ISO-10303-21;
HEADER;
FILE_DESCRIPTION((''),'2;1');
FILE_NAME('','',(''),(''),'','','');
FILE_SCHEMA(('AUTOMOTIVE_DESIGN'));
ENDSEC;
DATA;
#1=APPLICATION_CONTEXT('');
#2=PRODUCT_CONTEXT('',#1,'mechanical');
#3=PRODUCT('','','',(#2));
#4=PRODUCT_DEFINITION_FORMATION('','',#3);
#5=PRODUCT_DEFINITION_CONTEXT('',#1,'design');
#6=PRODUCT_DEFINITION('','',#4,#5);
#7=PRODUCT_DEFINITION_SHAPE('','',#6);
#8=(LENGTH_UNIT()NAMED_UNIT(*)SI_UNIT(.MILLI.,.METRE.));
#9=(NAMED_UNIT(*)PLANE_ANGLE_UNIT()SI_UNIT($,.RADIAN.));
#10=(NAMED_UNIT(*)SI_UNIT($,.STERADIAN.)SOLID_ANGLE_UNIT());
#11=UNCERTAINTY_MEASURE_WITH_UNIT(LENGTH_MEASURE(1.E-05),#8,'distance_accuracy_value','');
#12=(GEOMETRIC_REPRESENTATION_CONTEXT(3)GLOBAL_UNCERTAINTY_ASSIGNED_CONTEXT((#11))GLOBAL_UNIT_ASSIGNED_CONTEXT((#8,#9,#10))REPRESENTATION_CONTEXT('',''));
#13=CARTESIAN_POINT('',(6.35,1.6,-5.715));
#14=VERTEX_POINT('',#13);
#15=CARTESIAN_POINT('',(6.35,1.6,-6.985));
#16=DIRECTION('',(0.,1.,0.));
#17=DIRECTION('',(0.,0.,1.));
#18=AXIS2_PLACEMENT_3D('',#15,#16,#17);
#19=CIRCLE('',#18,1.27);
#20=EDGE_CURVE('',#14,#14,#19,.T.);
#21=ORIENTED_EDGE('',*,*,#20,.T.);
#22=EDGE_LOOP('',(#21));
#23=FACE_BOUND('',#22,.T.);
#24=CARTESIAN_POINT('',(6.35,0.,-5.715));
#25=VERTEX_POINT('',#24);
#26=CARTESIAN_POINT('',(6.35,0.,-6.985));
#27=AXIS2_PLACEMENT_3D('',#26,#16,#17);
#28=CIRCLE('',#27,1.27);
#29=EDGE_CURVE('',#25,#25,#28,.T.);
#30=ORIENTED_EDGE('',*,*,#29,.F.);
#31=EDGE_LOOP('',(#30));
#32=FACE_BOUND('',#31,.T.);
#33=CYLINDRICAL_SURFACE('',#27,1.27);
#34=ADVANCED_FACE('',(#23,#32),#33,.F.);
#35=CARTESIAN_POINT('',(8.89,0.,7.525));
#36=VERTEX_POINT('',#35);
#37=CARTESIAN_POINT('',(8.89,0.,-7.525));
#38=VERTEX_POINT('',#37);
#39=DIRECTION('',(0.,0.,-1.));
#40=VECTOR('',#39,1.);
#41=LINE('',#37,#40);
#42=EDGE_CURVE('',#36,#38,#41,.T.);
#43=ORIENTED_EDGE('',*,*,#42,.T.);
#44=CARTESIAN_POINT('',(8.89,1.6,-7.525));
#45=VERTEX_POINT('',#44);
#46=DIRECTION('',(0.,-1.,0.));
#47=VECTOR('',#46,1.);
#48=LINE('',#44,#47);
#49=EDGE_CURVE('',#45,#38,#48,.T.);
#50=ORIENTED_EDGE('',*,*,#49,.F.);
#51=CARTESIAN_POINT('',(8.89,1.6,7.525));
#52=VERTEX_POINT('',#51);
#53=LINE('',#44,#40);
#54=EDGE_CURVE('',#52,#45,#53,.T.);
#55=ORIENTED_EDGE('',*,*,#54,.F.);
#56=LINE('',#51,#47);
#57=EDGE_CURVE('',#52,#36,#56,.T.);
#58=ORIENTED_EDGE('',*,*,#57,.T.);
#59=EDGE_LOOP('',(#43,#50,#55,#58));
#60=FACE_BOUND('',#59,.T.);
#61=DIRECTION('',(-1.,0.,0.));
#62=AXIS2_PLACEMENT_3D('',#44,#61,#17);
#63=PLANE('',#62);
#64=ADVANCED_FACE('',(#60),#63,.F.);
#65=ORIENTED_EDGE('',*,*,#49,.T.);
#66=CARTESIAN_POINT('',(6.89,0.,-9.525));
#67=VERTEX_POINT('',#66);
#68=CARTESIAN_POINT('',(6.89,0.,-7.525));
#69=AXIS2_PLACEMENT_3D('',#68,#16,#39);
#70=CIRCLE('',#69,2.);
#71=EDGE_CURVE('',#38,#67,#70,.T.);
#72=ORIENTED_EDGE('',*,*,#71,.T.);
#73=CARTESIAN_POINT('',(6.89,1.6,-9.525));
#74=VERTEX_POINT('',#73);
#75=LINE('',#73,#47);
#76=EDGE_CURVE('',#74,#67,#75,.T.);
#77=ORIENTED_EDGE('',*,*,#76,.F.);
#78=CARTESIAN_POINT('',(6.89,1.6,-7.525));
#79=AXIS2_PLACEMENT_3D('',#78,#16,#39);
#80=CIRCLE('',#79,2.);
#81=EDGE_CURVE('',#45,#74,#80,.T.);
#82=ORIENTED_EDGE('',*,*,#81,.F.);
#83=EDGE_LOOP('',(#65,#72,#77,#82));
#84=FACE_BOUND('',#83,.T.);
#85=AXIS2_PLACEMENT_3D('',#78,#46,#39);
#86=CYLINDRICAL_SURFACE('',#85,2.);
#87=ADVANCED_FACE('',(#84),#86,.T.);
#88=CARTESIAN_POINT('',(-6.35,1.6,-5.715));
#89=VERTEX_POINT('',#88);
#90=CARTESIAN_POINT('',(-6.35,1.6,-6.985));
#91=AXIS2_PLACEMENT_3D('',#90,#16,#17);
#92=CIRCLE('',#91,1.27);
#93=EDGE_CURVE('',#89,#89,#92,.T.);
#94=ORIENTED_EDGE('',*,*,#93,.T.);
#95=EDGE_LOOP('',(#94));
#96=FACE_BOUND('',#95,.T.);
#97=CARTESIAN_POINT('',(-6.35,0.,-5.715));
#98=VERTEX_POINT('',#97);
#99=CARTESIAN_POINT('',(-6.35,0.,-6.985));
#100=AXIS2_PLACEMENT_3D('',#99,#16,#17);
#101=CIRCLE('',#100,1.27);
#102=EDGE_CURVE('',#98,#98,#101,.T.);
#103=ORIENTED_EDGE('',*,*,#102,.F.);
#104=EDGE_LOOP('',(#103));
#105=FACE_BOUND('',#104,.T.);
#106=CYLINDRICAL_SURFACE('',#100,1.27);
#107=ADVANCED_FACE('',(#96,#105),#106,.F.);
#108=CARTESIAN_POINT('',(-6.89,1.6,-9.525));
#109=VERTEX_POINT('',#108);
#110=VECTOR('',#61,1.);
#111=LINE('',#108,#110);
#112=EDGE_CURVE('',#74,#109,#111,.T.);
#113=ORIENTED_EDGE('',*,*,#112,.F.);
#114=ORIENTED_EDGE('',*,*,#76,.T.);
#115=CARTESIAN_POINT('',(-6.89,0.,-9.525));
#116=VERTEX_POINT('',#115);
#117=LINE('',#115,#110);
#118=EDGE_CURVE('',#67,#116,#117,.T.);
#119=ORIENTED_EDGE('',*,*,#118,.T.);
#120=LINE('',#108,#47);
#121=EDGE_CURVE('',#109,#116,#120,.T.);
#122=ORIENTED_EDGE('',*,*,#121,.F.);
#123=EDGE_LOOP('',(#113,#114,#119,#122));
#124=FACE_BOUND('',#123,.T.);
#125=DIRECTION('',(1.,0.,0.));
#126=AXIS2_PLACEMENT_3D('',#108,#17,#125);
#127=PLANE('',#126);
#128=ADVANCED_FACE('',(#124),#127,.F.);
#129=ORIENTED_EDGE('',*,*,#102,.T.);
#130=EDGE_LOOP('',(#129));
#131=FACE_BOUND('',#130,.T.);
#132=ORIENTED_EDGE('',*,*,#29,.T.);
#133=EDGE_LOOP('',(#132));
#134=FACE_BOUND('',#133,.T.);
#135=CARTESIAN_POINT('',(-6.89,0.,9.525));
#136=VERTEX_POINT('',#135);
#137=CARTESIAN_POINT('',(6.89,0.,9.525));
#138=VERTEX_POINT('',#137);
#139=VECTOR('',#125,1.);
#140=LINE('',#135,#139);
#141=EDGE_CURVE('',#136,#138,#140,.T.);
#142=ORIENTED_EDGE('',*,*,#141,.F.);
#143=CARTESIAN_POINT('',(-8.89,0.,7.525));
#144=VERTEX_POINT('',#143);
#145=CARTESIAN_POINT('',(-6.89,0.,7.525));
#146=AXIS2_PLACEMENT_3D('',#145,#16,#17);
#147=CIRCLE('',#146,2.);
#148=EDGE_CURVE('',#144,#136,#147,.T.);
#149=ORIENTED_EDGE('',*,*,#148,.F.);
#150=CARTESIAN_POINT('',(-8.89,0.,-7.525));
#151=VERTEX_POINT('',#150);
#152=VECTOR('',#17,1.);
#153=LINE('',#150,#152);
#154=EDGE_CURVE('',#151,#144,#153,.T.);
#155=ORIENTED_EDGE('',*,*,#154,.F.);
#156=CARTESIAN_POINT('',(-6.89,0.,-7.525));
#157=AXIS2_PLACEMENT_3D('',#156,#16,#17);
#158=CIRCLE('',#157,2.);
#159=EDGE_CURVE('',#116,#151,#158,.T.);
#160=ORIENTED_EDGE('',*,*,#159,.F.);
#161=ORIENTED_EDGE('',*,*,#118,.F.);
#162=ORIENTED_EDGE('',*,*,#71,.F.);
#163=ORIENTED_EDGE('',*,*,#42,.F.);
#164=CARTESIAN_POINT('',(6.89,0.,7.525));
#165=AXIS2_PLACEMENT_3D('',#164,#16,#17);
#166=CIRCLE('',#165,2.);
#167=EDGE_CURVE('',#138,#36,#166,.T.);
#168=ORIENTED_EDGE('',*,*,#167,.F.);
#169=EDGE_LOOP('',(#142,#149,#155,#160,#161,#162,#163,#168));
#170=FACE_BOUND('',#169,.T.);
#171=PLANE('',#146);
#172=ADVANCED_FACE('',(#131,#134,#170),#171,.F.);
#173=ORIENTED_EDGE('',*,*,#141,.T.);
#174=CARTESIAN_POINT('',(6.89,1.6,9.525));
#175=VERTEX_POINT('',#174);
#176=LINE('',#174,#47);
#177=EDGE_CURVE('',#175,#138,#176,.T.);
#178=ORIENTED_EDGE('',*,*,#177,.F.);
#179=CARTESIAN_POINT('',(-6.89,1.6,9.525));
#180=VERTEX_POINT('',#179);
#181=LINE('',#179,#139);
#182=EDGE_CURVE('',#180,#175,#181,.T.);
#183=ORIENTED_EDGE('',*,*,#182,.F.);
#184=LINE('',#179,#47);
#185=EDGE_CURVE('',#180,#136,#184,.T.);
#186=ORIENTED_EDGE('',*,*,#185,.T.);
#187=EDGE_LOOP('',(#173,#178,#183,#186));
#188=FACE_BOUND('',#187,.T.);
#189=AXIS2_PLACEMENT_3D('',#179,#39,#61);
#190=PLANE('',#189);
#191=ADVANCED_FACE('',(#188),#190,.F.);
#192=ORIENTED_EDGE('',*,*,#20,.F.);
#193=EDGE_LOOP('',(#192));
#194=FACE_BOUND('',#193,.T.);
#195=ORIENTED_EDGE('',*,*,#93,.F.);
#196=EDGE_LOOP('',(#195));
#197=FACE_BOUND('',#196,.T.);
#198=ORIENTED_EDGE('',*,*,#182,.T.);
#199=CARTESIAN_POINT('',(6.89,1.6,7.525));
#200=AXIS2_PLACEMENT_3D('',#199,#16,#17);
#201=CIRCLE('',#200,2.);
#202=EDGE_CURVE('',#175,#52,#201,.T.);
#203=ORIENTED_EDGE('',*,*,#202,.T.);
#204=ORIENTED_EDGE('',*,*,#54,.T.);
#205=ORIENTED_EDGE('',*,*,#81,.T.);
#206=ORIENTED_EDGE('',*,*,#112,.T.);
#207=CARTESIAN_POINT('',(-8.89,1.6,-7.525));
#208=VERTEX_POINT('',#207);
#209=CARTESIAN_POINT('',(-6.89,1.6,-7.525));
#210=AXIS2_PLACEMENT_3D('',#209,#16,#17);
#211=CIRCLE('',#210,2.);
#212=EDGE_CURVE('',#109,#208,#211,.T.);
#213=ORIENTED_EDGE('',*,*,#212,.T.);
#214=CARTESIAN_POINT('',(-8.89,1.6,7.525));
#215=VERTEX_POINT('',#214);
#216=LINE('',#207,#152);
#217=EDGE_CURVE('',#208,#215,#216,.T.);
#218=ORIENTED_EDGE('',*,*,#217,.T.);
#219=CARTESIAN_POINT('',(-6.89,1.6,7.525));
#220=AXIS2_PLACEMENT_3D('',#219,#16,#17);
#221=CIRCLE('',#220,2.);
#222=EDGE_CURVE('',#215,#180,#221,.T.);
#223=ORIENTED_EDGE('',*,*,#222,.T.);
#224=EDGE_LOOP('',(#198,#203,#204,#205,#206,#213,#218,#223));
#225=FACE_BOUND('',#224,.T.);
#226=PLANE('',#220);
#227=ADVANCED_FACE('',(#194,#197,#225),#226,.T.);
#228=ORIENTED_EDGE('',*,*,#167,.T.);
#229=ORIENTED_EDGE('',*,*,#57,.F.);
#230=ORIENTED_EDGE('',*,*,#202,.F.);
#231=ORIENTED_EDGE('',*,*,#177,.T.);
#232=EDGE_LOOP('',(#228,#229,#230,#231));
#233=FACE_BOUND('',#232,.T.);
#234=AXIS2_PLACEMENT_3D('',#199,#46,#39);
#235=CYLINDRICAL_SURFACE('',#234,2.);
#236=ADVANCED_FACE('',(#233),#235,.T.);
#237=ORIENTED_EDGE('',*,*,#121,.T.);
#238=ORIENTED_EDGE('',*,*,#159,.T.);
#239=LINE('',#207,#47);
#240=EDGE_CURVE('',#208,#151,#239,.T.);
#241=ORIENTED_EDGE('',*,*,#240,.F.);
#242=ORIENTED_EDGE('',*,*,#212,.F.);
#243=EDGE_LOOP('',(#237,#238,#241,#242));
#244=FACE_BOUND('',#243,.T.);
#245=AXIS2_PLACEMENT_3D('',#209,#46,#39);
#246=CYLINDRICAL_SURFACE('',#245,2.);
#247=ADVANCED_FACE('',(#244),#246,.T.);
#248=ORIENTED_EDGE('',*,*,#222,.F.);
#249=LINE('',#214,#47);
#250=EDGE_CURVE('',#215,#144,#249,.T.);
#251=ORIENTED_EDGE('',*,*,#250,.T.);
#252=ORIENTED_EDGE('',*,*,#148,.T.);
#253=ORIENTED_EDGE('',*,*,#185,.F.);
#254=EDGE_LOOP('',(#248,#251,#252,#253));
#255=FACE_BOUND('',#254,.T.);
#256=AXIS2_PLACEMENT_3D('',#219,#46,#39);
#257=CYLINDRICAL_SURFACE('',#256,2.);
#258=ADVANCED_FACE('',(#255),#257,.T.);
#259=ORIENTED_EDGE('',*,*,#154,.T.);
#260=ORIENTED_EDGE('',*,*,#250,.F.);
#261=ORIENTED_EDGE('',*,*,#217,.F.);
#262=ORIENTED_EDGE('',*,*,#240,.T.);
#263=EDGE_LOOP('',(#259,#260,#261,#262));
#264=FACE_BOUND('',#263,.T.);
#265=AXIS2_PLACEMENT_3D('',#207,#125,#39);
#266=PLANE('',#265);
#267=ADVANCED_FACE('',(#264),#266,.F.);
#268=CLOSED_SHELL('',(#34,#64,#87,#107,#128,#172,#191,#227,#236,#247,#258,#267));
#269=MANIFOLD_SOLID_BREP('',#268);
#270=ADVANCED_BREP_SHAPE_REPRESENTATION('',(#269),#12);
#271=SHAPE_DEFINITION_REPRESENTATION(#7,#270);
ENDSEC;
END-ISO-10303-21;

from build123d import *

# Parameters (mm, degrees)
BOSS_EXTRUDE1_DEPTH = 1.6
SKETCH2_R           = 1.27
CUT_EXTRUDE1_DEPTH  = 1.6


with BuildPart() as part:
    # Sketch1 → Boss-Extrude1 (new body)
    with BuildSketch(Plane(origin=(0, 0, 0), x_dir=(1, 0, 0), z_dir=(0, 1, 0))):
        with BuildLine():
            Line((-6.89, 9.525), (6.89, 9.525))
            ThreePointArc((6.89, 9.525), (8.304213562, 8.939213562), (8.89, 7.525))
            Line((8.89, 7.525), (8.89, -7.525))
            ThreePointArc((8.89, -7.525), (8.304213562, -8.939213562), (6.89, -9.525))
            Line((6.89, -9.525), (-6.89, -9.525))
            ThreePointArc((-6.89, -9.525), (-8.304213562, -8.939213562), (-8.89, -7.525))
            Line((-8.89, -7.525), (-8.89, 7.525))
            ThreePointArc((-8.89, 7.525), (-8.304213562, 8.939213562), (-6.89, 9.525))
        make_face()
    extrude(amount=BOSS_EXTRUDE1_DEPTH)

    # Sketch2 → Cut-Extrude1 (cut)
    with BuildSketch(Plane(origin=(0, 1.6, 0), x_dir=(1, 0, 0), z_dir=(0, 1, 0))):
        with Locations(Location((-6.35, 6.985, 0), (0, 0, 270))):
            Circle(SKETCH2_R)
        with Locations(Location((6.35, 6.985, 0), (0, 0, 270))):
            Circle(SKETCH2_R)
    extrude(amount=-CUT_EXTRUDE1_DEPTH, mode=Mode.SUBTRACT)


solid = part.part
